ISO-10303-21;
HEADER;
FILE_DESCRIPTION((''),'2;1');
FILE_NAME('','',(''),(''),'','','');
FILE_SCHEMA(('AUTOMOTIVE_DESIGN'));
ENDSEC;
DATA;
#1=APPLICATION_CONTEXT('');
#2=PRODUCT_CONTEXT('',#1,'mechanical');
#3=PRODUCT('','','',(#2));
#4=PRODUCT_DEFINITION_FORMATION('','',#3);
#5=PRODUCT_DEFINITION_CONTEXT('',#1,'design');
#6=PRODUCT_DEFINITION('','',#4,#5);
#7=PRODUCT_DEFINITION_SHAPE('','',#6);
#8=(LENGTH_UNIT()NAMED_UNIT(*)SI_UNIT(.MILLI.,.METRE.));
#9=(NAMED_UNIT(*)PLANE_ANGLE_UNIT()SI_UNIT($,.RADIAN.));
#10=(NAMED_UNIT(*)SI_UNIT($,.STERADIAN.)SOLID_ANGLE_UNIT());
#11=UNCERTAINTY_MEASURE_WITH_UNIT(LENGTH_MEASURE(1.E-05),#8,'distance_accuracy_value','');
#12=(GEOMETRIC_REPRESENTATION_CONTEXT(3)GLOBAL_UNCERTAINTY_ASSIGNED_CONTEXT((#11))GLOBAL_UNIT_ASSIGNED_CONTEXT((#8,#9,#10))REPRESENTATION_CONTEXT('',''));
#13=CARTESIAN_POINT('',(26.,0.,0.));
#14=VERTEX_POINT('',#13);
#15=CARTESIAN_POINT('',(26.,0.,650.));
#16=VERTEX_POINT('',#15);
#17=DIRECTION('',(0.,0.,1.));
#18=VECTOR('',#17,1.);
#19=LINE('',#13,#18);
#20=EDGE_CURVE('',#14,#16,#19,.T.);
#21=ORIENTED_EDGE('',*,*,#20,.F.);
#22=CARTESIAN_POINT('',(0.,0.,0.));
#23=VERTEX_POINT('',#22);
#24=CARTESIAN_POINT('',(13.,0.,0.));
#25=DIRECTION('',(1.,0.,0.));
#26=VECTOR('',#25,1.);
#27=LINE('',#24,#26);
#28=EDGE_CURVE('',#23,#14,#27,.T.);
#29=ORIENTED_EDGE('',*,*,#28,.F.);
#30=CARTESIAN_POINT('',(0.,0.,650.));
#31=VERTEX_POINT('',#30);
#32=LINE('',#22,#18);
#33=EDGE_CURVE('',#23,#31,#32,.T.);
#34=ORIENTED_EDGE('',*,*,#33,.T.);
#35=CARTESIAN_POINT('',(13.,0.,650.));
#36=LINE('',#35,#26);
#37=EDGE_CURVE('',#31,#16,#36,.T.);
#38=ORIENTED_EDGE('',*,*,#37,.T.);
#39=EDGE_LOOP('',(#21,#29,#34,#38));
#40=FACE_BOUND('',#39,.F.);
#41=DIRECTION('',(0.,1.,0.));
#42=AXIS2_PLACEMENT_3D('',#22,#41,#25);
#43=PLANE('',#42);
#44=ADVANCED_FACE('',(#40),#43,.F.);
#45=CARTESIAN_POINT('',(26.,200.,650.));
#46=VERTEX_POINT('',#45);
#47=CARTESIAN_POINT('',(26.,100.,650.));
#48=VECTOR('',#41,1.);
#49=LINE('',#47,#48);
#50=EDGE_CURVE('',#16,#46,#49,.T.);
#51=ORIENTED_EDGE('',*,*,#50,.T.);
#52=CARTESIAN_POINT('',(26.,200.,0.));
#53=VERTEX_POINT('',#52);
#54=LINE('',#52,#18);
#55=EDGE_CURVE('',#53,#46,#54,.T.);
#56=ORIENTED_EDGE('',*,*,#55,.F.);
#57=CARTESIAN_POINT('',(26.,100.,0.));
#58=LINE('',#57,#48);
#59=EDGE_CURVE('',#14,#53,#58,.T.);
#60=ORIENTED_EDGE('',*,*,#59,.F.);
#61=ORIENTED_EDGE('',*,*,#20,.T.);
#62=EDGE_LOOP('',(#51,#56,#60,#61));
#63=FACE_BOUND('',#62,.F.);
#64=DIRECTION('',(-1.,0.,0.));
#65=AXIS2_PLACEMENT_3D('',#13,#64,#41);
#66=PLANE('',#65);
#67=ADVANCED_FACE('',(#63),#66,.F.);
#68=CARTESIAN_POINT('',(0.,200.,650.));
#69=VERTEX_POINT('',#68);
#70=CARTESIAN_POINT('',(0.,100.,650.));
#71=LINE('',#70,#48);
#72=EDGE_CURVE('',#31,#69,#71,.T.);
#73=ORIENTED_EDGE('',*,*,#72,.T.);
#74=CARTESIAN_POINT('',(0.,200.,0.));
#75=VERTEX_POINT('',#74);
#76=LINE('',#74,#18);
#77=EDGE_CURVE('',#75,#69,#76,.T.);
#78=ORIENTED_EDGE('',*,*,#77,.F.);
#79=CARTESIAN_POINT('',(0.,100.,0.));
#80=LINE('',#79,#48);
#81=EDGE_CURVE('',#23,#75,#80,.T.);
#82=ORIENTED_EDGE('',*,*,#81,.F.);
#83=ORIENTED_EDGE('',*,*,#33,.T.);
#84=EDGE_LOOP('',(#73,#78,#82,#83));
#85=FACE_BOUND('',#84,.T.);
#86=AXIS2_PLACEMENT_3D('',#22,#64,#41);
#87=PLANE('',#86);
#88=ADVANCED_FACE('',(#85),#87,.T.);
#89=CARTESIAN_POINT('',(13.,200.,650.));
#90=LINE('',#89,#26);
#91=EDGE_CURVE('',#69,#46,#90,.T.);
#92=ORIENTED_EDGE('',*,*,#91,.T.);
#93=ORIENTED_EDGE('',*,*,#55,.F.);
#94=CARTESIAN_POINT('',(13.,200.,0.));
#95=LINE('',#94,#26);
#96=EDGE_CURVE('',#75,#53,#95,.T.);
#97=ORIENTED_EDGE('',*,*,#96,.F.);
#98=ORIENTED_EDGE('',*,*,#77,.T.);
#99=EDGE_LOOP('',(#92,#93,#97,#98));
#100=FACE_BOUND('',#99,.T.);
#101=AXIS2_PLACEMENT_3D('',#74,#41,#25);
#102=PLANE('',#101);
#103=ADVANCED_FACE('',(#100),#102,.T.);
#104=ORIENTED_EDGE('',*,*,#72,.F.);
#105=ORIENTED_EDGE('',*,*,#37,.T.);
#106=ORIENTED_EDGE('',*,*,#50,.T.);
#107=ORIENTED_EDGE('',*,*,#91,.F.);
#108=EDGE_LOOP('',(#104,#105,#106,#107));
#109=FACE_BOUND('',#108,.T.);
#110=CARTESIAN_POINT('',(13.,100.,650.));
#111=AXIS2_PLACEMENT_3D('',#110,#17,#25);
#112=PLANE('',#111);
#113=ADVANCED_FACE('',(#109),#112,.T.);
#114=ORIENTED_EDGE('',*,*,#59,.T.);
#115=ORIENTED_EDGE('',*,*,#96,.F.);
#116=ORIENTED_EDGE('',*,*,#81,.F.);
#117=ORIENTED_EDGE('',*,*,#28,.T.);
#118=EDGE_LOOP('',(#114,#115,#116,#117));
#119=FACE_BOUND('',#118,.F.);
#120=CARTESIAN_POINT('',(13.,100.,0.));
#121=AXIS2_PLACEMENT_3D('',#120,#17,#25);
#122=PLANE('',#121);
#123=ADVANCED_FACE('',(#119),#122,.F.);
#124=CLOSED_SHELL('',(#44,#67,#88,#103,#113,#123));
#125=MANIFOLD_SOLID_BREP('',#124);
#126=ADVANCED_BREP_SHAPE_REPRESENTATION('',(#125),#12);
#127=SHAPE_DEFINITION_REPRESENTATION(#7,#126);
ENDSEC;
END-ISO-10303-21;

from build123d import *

# Parameters (mm, degrees)
BOX_W     = 26
BOX_H     = 200
BOX_DEPTH = 650


with BuildPart() as part:
    # Box → Box (new body)
    with BuildSketch(Plane.XY):
        with Locations((13, 100)):
            Rectangle(BOX_W, BOX_H)
    extrude(amount=BOX_DEPTH)


solid = part.part
